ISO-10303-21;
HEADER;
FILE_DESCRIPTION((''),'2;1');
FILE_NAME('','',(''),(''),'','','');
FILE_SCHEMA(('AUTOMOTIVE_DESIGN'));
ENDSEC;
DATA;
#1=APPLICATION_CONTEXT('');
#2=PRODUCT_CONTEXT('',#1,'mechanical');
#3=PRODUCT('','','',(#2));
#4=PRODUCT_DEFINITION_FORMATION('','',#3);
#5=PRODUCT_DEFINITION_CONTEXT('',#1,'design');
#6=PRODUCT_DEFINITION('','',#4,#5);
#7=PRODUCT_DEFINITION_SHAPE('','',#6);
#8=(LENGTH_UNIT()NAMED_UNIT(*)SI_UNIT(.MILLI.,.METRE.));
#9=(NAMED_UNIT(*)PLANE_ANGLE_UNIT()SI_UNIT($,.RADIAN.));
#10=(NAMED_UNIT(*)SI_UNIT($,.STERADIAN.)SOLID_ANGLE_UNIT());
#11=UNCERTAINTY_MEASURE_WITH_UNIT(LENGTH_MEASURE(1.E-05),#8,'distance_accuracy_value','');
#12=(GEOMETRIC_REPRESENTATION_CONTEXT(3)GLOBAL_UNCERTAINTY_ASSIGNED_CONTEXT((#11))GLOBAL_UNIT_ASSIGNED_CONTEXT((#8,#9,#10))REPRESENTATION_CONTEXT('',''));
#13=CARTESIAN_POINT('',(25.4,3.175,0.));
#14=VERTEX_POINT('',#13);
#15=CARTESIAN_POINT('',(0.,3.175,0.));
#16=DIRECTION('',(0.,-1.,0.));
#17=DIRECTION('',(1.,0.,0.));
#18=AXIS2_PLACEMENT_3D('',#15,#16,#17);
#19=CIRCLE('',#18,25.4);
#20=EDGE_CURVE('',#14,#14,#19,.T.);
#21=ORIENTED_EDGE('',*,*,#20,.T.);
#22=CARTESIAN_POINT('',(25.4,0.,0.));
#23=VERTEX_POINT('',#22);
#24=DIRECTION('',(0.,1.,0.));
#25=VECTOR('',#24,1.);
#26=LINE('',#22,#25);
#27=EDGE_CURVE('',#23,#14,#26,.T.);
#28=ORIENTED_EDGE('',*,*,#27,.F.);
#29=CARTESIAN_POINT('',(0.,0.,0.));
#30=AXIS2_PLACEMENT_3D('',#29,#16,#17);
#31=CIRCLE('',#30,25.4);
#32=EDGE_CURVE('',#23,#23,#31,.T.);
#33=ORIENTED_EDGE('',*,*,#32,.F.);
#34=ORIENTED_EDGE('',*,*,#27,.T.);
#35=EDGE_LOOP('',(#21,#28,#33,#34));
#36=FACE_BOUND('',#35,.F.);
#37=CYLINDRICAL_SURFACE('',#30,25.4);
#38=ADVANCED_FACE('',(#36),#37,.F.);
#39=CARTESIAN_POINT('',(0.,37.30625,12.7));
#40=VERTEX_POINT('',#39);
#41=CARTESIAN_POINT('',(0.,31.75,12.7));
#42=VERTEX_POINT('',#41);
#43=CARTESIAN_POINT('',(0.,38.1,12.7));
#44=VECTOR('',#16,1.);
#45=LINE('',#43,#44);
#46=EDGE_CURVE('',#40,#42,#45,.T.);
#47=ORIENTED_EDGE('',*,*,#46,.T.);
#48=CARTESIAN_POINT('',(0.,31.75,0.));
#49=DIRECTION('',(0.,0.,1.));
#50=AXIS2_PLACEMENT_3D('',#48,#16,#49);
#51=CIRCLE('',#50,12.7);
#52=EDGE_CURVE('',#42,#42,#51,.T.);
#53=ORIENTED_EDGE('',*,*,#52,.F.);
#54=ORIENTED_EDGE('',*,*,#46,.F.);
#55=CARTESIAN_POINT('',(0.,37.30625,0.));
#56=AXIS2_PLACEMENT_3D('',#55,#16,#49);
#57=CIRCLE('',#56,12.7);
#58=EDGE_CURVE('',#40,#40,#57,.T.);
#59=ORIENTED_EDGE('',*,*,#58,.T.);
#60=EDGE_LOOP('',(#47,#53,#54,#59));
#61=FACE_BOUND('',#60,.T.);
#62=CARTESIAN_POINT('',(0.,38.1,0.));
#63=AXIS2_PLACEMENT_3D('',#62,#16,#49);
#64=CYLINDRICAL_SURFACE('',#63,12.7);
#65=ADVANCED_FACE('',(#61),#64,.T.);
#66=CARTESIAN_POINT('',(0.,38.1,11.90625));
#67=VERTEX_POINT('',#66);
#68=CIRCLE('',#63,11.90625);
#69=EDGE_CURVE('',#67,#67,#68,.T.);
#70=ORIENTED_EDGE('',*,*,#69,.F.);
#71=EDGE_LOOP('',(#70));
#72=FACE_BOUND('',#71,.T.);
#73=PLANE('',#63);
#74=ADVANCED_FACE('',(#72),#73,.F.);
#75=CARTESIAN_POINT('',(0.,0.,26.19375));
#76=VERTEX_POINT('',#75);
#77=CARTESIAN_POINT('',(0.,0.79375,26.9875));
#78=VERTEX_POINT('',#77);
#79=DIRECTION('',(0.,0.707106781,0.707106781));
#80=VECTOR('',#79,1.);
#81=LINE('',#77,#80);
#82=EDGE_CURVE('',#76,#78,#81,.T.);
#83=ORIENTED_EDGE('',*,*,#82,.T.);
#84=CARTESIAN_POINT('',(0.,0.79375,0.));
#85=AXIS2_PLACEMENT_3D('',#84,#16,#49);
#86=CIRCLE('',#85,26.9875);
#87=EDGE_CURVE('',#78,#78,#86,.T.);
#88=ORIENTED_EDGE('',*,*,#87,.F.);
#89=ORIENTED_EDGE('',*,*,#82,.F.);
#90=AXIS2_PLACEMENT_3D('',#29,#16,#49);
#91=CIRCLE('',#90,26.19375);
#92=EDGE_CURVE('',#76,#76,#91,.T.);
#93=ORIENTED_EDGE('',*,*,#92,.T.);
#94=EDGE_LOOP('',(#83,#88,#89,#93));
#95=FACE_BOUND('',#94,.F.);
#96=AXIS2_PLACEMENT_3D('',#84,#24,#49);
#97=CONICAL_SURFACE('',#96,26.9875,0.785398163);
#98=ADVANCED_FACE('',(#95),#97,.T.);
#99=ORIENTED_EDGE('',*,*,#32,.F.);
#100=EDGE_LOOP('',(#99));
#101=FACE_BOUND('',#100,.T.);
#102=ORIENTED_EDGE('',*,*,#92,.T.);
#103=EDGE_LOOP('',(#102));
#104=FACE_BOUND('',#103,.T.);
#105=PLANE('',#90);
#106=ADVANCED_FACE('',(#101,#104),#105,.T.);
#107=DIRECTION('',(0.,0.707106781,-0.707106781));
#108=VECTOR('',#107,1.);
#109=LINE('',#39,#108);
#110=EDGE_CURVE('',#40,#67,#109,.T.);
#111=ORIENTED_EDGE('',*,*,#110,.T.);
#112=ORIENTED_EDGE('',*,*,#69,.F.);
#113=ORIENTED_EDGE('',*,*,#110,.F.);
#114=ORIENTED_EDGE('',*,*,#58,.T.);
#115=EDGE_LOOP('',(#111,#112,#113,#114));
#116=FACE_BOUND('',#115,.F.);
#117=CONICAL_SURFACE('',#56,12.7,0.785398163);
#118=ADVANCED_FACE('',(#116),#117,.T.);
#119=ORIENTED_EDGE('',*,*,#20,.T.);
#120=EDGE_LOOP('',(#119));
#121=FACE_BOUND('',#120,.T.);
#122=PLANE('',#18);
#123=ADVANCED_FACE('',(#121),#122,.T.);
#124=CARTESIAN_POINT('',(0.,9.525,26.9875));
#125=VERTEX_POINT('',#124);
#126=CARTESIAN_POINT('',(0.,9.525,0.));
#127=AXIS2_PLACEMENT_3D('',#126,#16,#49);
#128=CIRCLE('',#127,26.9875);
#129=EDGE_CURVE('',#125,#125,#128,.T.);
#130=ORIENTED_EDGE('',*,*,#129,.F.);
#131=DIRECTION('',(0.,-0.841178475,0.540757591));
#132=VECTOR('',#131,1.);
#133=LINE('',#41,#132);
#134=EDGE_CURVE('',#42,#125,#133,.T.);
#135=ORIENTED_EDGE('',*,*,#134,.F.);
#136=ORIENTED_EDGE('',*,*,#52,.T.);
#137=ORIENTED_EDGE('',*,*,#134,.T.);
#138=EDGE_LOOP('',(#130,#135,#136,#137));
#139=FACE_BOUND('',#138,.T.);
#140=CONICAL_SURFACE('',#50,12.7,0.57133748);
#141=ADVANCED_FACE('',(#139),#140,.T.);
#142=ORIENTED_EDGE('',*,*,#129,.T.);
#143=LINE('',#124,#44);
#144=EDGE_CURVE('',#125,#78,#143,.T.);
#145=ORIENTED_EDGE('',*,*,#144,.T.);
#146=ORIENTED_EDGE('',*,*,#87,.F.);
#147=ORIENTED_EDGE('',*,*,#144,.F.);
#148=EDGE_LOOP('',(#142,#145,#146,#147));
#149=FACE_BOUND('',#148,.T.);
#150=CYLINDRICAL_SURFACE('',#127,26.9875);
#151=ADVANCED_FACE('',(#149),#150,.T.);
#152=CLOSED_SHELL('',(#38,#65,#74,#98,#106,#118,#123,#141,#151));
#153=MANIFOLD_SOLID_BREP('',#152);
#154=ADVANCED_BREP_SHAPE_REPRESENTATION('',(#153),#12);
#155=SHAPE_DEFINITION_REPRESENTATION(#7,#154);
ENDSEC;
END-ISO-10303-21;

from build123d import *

# Parameters (mm, degrees)
F2_R     = 25.4
F3_DEPTH = 3.175
F4_SIZE  = 0.79375


with BuildPart() as f1:
    # F0 (on Right) → F1 (revolve)
    with BuildSketch(Plane.YZ):
        Polygon((0, 26.9875), (0, 0), (38.1, 0), (38.1, 12.7), (31.75, 12.7), (9.525, 26.9875), align=None)
    revolve(axis=Axis((0, 19.05, 0), (0, -1, 0)))

    # F2 (on face) → F3 (cut)
    with BuildSketch(Plane.XZ):
        Circle(F2_R)
    extrude(amount=-F3_DEPTH, mode=Mode.SUBTRACT)

    # F4
    f4_edges = [f1.edges().sort_by_distance(p)[0] for p in [
        (0, 0, -26.9875),
        (0, 38.1, -12.7),
    ]]
    chamfer(f4_edges, length=F4_SIZE)


solid = f1.part
